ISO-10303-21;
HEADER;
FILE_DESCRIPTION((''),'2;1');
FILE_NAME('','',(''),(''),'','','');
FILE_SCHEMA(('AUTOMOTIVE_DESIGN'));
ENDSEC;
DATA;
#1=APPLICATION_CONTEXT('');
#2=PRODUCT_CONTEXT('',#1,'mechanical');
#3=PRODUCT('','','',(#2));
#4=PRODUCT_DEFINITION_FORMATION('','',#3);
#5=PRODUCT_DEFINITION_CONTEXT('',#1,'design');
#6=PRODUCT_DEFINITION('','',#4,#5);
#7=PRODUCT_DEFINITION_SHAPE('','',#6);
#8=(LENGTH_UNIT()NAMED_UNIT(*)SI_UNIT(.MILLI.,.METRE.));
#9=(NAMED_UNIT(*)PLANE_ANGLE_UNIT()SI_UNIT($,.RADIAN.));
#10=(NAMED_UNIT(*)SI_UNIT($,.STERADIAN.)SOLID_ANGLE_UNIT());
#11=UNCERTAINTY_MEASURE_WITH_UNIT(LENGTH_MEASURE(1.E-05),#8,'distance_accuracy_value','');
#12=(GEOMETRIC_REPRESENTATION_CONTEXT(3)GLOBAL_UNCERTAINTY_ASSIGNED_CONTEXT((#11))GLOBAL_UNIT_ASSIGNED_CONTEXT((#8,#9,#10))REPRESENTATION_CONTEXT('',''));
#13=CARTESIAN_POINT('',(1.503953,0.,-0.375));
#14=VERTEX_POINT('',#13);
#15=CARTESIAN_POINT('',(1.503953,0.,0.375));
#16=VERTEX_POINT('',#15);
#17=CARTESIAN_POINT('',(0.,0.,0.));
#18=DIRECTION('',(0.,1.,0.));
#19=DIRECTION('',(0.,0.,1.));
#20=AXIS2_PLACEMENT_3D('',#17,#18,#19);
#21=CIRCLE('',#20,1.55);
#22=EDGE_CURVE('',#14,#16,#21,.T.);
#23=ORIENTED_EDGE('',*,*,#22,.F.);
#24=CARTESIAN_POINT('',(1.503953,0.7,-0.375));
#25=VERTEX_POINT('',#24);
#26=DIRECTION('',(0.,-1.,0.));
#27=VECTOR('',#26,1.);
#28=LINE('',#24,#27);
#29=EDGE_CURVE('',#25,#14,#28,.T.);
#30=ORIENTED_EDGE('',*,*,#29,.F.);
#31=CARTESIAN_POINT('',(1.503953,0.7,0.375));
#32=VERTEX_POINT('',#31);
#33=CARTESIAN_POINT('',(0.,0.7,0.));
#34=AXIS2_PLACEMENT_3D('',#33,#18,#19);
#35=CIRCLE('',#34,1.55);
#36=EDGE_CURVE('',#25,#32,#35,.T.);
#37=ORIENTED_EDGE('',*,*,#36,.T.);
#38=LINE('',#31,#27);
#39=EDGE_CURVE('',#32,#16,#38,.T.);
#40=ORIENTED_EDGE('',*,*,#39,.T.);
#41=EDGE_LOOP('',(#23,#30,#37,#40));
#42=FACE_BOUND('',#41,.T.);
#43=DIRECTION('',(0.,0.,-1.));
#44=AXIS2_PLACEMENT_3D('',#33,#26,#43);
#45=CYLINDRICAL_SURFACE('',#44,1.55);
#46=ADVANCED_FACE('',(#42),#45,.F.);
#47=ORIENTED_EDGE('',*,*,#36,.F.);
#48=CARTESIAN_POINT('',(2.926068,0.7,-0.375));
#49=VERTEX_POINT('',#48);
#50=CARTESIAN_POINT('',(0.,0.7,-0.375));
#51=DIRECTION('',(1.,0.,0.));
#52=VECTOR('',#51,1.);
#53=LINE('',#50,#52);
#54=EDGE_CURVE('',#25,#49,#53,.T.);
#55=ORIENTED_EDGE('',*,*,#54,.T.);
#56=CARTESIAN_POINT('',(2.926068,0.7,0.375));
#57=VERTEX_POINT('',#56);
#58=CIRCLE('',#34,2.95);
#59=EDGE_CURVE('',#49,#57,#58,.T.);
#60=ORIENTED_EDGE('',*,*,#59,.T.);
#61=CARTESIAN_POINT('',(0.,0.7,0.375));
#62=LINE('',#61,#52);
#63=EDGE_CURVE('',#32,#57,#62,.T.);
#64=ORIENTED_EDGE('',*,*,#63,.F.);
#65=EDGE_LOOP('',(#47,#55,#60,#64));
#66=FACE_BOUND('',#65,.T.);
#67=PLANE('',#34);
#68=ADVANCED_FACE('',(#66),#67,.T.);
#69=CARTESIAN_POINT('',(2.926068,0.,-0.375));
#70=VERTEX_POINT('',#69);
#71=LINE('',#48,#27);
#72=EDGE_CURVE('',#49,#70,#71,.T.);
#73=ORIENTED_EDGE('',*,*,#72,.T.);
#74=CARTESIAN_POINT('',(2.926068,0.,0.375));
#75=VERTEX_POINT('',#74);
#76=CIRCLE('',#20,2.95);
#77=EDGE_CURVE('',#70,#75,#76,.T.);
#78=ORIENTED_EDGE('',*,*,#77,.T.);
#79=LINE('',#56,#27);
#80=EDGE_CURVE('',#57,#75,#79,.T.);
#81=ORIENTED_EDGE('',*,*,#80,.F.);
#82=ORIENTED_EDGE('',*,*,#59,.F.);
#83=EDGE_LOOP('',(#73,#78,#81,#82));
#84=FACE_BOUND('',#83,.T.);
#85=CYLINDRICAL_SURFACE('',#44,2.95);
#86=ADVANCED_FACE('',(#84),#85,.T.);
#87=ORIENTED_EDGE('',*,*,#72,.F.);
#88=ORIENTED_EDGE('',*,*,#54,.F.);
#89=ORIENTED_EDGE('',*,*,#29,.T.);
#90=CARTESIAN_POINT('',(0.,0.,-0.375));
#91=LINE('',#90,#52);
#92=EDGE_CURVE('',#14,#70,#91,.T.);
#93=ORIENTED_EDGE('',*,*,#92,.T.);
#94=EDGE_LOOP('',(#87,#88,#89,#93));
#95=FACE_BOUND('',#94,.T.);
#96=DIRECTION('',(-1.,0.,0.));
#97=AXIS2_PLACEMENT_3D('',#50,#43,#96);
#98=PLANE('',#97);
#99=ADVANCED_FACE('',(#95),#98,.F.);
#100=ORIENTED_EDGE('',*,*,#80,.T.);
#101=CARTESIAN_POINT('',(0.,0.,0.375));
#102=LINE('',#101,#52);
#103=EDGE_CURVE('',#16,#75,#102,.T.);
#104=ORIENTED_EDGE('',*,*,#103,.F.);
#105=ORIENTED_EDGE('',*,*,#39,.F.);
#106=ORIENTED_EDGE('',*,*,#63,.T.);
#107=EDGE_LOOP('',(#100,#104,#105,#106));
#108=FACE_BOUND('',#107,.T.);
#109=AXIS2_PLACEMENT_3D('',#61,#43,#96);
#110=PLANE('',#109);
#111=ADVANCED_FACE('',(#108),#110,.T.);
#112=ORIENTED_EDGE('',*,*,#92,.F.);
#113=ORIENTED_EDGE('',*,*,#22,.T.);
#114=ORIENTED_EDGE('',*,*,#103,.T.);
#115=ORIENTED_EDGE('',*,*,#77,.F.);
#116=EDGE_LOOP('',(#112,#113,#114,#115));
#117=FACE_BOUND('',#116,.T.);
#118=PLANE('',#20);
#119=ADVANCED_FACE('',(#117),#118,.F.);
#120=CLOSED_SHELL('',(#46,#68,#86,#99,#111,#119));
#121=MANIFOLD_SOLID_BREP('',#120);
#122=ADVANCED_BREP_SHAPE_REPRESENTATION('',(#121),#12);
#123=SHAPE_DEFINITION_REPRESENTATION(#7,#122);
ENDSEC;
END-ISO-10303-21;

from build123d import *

# Parameters (mm, degrees)
EXTRUDE_1_DEPTH = 0.7


with BuildPart() as part:
    # ｽｹｯﾁ1 → ﾎﾞｽ - 押し出し1 (new body)
    with BuildSketch(Plane(origin=(0, 0, 0), x_dir=(1, 0, 0), z_dir=(0, 1, 0))):
        with BuildLine():
            ThreePointArc((1.503953124, -0.375), (-1.55, 0), (1.503953124, 0.375))
            Line((1.503953124, 0.375), (2.926068181, 0.375))
            ThreePointArc((2.926068181, 0.375), (-2.95, 0), (2.926068181, -0.375))
            Line((2.926068181, -0.375), (1.503953124, -0.375))
        make_face()
    extrude(amount=EXTRUDE_1_DEPTH)


solid = part.part
